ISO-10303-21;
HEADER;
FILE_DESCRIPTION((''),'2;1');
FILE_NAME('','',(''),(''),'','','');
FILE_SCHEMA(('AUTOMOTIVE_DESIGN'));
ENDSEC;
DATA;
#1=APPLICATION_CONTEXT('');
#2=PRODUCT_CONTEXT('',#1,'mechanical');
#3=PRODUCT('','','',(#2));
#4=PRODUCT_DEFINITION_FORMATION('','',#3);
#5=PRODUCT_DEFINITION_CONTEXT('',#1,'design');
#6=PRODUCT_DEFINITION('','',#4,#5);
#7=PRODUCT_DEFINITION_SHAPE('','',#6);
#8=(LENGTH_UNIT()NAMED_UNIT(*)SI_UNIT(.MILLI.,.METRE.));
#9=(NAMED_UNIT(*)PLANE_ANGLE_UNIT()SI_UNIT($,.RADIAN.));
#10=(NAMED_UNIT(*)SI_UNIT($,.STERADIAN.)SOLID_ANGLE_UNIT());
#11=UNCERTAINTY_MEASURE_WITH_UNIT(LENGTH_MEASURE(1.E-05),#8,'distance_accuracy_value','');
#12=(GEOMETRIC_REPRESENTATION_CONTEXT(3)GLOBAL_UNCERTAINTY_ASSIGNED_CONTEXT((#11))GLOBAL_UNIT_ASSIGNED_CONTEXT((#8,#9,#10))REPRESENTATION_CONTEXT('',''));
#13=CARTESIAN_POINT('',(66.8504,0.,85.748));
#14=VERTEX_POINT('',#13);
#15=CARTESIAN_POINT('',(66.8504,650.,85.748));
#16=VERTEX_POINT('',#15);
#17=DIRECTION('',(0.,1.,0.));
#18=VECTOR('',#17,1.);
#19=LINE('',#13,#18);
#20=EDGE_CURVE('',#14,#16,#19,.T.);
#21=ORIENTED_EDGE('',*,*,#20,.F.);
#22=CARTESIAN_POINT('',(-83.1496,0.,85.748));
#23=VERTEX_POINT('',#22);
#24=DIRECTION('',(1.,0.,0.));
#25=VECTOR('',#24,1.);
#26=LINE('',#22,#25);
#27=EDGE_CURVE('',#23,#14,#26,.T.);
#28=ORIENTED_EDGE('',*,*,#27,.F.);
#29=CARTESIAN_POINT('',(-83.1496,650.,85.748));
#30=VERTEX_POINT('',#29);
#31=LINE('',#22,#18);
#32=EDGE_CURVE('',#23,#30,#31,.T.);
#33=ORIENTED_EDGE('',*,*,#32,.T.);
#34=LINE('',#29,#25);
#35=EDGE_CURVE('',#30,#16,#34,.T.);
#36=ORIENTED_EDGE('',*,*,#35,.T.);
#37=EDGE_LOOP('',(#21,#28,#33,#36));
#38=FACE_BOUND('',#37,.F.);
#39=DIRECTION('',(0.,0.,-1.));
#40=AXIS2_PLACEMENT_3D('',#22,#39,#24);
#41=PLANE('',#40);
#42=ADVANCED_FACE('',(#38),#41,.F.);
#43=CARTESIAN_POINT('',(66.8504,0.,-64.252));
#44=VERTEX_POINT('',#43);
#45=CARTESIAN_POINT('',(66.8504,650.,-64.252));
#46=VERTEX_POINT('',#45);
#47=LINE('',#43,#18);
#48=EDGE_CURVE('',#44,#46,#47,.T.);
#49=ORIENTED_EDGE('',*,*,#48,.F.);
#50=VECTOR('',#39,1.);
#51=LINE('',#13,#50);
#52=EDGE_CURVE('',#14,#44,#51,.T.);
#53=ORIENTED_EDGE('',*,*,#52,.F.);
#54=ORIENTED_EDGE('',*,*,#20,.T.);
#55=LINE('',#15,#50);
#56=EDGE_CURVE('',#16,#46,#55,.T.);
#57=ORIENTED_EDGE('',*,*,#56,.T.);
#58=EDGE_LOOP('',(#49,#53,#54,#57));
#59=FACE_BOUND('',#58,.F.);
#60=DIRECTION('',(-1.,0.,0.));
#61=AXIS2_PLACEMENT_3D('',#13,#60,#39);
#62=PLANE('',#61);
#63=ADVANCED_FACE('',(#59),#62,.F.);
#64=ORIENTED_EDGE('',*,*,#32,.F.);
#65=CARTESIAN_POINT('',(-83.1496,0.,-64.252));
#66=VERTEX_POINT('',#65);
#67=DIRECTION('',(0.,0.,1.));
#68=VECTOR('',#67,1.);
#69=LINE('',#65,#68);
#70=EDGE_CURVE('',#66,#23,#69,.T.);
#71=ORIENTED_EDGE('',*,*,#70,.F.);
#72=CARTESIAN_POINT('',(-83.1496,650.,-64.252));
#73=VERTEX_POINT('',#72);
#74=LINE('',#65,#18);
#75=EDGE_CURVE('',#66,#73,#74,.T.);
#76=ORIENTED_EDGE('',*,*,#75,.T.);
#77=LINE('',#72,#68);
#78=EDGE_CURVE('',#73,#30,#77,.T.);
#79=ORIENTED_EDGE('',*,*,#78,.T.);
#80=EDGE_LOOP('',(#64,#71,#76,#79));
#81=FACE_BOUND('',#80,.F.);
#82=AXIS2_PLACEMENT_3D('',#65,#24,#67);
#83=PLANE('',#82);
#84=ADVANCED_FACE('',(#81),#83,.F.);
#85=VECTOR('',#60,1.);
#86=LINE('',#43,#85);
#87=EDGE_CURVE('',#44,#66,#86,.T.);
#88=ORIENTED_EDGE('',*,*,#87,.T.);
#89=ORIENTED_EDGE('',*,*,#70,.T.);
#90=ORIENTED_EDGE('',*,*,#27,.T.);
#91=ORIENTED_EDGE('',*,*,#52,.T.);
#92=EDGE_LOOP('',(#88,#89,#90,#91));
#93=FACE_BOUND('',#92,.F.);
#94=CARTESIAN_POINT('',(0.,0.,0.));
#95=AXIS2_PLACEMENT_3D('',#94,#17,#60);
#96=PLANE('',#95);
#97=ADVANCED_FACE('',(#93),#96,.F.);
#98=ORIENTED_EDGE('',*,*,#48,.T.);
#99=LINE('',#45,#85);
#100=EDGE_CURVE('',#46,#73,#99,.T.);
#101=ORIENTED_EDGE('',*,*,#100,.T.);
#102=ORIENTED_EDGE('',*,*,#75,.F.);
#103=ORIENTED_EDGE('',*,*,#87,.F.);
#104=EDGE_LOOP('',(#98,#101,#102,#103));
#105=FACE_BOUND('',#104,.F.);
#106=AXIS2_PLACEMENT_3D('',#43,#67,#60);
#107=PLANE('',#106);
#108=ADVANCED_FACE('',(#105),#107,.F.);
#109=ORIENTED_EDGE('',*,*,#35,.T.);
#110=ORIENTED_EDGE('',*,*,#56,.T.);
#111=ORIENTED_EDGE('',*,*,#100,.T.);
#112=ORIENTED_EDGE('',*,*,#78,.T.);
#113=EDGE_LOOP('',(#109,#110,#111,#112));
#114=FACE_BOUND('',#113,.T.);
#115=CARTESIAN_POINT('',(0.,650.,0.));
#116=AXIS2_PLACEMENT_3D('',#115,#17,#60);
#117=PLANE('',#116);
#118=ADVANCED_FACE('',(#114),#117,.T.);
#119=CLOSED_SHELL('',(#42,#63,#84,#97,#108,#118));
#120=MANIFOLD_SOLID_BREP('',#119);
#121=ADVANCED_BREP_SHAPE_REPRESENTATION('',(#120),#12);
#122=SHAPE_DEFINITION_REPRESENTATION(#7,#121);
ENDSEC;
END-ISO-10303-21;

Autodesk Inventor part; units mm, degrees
ref_plane "YZ Plane" through (0, 0, 0) normal (1, 0, 0) x (0, 1, 0)
ref_plane "XZ Plane" through (0, 0, 0) normal (0, 1, 0) x (-1, 0, 0)
ref_plane "XY Plane" through (0, 0, 0) normal (0, 0, 1) x (1, 0, 0)
sketch "Sketch1" plane through (0, 0, 0) normal (0, 1, 0) x (-1, 0, 0)
  line L0 (83.1496, 85.748) -> (-66.8504, 85.748)
  line L1 (-66.8504, 85.748) -> (-66.8504, -64.252)
  line L2 (-66.8504, -64.252) -> (83.1496, -64.252)
  line L3 (83.1496, -64.252) -> (83.1496, 85.748)
  point P0 (0, 0)
  dimension "d1" = 150
  dimension "d4" = 150
extrude "Extrusion1" add sketch "Sketch1" along normal blind 650
sketch "Sketch2" plane through (0, 650, 0) normal (0, 1, 0) x (1, 0, 0)
  point P0 (0, 0)
sketch "Sketch3" plane through (0, 650, 0) normal (0, 1, 0) x (1, 0, 0)
  point P0 (0, 0)
sketch "Sketch4" plane through (0, 650, 0) normal (0, 1, 0) x (1, 0, 0)
  point P0 (0, 0)
properties part number "stand" material "Wood (Birch)"
